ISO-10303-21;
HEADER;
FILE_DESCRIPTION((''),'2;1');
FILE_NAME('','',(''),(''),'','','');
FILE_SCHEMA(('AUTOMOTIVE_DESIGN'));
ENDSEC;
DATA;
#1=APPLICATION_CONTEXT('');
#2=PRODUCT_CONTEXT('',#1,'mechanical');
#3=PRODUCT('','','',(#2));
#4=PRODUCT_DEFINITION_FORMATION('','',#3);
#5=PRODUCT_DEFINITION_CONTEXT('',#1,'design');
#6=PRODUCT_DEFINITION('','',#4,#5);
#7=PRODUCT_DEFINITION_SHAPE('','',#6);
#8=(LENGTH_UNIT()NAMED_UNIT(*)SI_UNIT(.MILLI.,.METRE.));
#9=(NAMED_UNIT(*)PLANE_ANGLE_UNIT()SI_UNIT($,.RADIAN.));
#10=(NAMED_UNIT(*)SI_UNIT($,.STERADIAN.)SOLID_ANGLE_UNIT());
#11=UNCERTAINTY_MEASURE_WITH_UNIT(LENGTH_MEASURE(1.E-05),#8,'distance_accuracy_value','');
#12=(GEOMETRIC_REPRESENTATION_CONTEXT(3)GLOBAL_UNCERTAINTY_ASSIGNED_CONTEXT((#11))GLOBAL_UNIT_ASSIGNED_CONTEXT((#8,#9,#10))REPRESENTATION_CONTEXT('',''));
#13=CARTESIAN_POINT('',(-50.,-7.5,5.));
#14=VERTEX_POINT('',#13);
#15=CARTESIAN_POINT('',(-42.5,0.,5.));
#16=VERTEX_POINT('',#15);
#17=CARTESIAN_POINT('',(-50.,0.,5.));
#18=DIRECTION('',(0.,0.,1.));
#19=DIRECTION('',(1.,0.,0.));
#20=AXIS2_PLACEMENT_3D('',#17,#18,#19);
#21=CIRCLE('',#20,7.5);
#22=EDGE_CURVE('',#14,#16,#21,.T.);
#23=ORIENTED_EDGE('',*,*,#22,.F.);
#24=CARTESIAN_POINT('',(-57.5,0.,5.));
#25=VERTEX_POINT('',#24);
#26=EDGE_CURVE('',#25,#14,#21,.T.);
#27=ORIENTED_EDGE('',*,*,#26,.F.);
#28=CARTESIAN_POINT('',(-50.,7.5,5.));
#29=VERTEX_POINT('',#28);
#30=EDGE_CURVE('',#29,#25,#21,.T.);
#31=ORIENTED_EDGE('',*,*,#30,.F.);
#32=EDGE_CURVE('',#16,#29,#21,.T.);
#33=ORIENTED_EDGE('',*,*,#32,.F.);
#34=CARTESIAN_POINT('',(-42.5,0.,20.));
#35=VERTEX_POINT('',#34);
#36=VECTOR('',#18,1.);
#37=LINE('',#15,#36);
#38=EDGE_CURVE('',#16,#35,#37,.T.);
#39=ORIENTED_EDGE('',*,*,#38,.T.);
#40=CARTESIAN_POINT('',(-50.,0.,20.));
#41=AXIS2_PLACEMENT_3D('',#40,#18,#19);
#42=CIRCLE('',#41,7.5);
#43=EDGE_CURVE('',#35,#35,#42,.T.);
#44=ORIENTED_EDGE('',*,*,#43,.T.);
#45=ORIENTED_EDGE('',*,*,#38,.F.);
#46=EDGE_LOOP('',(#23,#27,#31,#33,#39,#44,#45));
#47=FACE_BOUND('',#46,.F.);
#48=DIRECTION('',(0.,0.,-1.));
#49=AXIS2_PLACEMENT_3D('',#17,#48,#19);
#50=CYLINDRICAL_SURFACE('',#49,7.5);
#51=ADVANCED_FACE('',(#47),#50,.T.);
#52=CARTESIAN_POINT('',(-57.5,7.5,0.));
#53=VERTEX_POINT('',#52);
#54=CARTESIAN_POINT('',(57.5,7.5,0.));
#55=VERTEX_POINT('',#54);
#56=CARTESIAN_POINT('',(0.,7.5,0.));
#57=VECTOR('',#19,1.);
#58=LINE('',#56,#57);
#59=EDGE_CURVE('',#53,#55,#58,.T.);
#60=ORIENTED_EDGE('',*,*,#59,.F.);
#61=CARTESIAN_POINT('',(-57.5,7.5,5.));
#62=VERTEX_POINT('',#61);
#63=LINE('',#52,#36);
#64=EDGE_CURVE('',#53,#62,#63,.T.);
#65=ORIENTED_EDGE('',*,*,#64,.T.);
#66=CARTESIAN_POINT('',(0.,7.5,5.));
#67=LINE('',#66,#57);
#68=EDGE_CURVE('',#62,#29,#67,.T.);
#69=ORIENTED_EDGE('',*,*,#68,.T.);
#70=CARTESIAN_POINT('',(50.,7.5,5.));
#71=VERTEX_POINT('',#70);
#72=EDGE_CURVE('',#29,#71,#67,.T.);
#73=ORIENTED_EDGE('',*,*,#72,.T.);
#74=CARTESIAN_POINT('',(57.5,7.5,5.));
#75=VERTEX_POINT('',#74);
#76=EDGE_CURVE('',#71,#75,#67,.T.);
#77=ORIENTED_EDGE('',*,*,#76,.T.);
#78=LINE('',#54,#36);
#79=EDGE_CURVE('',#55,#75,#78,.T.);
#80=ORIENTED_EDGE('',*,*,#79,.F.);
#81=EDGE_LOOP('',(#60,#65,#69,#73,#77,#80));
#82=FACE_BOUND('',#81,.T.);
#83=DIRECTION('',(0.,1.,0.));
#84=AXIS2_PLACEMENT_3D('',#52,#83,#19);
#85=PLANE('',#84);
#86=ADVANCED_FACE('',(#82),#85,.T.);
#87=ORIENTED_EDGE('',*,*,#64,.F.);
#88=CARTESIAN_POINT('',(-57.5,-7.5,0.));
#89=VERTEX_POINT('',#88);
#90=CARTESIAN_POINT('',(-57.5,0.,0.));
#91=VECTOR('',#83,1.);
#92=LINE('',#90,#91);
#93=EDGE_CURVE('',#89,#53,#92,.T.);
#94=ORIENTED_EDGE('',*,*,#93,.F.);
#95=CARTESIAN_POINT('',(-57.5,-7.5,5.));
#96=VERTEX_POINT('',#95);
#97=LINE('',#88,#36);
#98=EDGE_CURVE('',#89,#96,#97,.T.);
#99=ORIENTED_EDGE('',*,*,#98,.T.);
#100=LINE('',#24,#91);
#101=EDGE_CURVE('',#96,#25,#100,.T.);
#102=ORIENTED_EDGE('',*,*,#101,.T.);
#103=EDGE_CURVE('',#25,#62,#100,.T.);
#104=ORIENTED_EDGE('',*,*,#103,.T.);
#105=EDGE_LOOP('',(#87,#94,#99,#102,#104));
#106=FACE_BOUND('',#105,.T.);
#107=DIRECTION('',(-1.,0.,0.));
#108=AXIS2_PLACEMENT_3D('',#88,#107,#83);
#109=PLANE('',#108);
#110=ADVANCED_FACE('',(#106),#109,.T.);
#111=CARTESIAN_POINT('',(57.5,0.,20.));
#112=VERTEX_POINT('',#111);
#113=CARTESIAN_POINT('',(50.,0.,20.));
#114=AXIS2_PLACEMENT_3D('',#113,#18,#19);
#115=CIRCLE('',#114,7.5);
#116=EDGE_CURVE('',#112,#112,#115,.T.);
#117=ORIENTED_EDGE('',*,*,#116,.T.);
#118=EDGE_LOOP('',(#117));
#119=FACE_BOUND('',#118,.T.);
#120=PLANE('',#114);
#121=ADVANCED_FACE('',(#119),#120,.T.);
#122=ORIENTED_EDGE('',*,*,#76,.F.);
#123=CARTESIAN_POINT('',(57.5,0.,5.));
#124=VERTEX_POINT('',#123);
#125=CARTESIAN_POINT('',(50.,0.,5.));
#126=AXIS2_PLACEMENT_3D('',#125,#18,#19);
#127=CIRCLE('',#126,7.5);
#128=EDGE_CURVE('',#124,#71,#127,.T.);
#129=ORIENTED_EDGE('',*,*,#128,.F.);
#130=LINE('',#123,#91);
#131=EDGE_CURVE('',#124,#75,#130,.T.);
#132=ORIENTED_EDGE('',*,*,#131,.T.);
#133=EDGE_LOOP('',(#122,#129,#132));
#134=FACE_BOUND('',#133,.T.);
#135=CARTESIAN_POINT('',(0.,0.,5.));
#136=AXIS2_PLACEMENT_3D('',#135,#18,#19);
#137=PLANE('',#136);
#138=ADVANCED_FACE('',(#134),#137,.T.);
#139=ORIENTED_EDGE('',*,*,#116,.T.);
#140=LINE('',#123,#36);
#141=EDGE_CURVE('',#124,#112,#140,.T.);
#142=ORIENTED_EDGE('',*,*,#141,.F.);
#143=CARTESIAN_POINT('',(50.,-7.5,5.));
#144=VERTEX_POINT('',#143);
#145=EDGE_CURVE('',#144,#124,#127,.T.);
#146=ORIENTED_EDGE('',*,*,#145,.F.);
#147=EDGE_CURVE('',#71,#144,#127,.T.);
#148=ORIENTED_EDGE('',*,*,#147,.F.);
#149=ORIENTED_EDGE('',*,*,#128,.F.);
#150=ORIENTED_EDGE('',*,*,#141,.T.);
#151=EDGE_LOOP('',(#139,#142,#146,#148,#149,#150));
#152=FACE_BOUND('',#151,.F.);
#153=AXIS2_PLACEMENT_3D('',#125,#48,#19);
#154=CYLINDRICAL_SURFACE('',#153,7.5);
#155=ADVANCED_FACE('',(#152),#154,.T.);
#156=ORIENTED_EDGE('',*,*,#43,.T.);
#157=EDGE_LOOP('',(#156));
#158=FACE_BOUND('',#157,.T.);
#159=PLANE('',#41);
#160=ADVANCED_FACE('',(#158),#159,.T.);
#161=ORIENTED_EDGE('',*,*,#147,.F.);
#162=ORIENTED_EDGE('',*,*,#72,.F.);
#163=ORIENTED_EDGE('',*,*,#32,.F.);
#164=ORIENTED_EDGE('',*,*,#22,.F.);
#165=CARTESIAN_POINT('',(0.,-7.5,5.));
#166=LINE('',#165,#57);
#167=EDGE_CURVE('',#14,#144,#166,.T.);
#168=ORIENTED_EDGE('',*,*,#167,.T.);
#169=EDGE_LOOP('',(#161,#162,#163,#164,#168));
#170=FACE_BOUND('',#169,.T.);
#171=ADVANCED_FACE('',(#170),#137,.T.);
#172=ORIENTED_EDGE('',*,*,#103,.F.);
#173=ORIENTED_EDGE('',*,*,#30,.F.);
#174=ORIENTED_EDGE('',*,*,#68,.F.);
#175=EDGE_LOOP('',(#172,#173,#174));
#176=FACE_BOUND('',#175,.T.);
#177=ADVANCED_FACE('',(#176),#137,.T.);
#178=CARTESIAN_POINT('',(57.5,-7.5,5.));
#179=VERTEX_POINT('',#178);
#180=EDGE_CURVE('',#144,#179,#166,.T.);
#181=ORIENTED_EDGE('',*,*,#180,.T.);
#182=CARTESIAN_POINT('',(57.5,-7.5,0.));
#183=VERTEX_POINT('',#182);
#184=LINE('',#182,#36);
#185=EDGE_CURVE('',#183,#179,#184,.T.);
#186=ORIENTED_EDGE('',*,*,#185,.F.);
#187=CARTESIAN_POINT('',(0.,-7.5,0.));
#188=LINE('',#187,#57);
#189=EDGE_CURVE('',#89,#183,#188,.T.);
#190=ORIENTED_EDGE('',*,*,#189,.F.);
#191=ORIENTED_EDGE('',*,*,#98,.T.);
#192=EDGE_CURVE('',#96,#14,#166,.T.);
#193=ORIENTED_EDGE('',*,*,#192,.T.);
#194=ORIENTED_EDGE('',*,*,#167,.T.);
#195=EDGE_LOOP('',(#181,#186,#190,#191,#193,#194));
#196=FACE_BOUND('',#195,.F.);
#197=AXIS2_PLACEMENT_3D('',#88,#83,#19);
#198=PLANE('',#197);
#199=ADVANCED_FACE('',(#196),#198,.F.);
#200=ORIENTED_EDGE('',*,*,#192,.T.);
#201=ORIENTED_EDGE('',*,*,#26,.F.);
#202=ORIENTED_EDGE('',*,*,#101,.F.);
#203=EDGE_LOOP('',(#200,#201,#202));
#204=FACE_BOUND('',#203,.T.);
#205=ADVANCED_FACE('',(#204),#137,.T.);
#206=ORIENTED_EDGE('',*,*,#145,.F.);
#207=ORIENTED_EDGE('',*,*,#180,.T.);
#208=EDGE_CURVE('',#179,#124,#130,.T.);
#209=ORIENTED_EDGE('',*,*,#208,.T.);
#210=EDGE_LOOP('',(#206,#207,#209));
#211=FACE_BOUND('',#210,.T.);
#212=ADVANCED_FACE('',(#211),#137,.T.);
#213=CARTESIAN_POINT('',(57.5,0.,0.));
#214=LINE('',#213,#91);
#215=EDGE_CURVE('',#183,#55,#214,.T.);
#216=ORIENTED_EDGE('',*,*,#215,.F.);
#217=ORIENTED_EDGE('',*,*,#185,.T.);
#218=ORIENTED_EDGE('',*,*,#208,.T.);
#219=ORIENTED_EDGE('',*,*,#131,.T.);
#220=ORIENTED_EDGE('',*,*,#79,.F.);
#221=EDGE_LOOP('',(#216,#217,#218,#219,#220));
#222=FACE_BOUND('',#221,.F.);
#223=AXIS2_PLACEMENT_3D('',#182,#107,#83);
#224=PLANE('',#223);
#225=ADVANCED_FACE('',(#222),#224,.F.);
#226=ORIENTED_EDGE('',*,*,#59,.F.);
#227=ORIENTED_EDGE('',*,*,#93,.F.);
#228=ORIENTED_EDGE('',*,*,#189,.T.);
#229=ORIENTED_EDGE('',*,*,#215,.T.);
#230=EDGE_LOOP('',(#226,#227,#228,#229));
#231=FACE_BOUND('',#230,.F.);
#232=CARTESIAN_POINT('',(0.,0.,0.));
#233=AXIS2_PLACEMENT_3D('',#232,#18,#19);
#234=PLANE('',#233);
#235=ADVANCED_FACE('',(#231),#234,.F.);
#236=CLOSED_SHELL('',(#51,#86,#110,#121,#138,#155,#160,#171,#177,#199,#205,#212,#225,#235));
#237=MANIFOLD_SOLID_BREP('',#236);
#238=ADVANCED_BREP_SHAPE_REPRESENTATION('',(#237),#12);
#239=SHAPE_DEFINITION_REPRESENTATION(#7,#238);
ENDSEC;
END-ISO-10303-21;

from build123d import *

# Parameters (mm, degrees)
F0_W     = 115
F0_H     = 15
F1_DEPTH = 5
F2_R     = 7.5
F3_DEPTH = 15


with BuildPart() as f1:
    # F0 (on Top) → F1 (new body)
    with BuildSketch(Plane.XY):
        Rectangle(F0_W, F0_H)
    extrude(amount=F1_DEPTH)

    # F2 (on face) → F3 (join)
    with BuildSketch(Plane.XY.offset(5)):
        with BuildLine():
            ThreePointArc((-57.5, 0), (-50, -7.5), (-42.5, 0))
            ThreePointArc((-42.5, 0), (-50, 7.5), (-57.5, 0))
        make_face()
        with Locations((50, 0)):
            Circle(F2_R)
    extrude(amount=F3_DEPTH)


solid = f1.part
